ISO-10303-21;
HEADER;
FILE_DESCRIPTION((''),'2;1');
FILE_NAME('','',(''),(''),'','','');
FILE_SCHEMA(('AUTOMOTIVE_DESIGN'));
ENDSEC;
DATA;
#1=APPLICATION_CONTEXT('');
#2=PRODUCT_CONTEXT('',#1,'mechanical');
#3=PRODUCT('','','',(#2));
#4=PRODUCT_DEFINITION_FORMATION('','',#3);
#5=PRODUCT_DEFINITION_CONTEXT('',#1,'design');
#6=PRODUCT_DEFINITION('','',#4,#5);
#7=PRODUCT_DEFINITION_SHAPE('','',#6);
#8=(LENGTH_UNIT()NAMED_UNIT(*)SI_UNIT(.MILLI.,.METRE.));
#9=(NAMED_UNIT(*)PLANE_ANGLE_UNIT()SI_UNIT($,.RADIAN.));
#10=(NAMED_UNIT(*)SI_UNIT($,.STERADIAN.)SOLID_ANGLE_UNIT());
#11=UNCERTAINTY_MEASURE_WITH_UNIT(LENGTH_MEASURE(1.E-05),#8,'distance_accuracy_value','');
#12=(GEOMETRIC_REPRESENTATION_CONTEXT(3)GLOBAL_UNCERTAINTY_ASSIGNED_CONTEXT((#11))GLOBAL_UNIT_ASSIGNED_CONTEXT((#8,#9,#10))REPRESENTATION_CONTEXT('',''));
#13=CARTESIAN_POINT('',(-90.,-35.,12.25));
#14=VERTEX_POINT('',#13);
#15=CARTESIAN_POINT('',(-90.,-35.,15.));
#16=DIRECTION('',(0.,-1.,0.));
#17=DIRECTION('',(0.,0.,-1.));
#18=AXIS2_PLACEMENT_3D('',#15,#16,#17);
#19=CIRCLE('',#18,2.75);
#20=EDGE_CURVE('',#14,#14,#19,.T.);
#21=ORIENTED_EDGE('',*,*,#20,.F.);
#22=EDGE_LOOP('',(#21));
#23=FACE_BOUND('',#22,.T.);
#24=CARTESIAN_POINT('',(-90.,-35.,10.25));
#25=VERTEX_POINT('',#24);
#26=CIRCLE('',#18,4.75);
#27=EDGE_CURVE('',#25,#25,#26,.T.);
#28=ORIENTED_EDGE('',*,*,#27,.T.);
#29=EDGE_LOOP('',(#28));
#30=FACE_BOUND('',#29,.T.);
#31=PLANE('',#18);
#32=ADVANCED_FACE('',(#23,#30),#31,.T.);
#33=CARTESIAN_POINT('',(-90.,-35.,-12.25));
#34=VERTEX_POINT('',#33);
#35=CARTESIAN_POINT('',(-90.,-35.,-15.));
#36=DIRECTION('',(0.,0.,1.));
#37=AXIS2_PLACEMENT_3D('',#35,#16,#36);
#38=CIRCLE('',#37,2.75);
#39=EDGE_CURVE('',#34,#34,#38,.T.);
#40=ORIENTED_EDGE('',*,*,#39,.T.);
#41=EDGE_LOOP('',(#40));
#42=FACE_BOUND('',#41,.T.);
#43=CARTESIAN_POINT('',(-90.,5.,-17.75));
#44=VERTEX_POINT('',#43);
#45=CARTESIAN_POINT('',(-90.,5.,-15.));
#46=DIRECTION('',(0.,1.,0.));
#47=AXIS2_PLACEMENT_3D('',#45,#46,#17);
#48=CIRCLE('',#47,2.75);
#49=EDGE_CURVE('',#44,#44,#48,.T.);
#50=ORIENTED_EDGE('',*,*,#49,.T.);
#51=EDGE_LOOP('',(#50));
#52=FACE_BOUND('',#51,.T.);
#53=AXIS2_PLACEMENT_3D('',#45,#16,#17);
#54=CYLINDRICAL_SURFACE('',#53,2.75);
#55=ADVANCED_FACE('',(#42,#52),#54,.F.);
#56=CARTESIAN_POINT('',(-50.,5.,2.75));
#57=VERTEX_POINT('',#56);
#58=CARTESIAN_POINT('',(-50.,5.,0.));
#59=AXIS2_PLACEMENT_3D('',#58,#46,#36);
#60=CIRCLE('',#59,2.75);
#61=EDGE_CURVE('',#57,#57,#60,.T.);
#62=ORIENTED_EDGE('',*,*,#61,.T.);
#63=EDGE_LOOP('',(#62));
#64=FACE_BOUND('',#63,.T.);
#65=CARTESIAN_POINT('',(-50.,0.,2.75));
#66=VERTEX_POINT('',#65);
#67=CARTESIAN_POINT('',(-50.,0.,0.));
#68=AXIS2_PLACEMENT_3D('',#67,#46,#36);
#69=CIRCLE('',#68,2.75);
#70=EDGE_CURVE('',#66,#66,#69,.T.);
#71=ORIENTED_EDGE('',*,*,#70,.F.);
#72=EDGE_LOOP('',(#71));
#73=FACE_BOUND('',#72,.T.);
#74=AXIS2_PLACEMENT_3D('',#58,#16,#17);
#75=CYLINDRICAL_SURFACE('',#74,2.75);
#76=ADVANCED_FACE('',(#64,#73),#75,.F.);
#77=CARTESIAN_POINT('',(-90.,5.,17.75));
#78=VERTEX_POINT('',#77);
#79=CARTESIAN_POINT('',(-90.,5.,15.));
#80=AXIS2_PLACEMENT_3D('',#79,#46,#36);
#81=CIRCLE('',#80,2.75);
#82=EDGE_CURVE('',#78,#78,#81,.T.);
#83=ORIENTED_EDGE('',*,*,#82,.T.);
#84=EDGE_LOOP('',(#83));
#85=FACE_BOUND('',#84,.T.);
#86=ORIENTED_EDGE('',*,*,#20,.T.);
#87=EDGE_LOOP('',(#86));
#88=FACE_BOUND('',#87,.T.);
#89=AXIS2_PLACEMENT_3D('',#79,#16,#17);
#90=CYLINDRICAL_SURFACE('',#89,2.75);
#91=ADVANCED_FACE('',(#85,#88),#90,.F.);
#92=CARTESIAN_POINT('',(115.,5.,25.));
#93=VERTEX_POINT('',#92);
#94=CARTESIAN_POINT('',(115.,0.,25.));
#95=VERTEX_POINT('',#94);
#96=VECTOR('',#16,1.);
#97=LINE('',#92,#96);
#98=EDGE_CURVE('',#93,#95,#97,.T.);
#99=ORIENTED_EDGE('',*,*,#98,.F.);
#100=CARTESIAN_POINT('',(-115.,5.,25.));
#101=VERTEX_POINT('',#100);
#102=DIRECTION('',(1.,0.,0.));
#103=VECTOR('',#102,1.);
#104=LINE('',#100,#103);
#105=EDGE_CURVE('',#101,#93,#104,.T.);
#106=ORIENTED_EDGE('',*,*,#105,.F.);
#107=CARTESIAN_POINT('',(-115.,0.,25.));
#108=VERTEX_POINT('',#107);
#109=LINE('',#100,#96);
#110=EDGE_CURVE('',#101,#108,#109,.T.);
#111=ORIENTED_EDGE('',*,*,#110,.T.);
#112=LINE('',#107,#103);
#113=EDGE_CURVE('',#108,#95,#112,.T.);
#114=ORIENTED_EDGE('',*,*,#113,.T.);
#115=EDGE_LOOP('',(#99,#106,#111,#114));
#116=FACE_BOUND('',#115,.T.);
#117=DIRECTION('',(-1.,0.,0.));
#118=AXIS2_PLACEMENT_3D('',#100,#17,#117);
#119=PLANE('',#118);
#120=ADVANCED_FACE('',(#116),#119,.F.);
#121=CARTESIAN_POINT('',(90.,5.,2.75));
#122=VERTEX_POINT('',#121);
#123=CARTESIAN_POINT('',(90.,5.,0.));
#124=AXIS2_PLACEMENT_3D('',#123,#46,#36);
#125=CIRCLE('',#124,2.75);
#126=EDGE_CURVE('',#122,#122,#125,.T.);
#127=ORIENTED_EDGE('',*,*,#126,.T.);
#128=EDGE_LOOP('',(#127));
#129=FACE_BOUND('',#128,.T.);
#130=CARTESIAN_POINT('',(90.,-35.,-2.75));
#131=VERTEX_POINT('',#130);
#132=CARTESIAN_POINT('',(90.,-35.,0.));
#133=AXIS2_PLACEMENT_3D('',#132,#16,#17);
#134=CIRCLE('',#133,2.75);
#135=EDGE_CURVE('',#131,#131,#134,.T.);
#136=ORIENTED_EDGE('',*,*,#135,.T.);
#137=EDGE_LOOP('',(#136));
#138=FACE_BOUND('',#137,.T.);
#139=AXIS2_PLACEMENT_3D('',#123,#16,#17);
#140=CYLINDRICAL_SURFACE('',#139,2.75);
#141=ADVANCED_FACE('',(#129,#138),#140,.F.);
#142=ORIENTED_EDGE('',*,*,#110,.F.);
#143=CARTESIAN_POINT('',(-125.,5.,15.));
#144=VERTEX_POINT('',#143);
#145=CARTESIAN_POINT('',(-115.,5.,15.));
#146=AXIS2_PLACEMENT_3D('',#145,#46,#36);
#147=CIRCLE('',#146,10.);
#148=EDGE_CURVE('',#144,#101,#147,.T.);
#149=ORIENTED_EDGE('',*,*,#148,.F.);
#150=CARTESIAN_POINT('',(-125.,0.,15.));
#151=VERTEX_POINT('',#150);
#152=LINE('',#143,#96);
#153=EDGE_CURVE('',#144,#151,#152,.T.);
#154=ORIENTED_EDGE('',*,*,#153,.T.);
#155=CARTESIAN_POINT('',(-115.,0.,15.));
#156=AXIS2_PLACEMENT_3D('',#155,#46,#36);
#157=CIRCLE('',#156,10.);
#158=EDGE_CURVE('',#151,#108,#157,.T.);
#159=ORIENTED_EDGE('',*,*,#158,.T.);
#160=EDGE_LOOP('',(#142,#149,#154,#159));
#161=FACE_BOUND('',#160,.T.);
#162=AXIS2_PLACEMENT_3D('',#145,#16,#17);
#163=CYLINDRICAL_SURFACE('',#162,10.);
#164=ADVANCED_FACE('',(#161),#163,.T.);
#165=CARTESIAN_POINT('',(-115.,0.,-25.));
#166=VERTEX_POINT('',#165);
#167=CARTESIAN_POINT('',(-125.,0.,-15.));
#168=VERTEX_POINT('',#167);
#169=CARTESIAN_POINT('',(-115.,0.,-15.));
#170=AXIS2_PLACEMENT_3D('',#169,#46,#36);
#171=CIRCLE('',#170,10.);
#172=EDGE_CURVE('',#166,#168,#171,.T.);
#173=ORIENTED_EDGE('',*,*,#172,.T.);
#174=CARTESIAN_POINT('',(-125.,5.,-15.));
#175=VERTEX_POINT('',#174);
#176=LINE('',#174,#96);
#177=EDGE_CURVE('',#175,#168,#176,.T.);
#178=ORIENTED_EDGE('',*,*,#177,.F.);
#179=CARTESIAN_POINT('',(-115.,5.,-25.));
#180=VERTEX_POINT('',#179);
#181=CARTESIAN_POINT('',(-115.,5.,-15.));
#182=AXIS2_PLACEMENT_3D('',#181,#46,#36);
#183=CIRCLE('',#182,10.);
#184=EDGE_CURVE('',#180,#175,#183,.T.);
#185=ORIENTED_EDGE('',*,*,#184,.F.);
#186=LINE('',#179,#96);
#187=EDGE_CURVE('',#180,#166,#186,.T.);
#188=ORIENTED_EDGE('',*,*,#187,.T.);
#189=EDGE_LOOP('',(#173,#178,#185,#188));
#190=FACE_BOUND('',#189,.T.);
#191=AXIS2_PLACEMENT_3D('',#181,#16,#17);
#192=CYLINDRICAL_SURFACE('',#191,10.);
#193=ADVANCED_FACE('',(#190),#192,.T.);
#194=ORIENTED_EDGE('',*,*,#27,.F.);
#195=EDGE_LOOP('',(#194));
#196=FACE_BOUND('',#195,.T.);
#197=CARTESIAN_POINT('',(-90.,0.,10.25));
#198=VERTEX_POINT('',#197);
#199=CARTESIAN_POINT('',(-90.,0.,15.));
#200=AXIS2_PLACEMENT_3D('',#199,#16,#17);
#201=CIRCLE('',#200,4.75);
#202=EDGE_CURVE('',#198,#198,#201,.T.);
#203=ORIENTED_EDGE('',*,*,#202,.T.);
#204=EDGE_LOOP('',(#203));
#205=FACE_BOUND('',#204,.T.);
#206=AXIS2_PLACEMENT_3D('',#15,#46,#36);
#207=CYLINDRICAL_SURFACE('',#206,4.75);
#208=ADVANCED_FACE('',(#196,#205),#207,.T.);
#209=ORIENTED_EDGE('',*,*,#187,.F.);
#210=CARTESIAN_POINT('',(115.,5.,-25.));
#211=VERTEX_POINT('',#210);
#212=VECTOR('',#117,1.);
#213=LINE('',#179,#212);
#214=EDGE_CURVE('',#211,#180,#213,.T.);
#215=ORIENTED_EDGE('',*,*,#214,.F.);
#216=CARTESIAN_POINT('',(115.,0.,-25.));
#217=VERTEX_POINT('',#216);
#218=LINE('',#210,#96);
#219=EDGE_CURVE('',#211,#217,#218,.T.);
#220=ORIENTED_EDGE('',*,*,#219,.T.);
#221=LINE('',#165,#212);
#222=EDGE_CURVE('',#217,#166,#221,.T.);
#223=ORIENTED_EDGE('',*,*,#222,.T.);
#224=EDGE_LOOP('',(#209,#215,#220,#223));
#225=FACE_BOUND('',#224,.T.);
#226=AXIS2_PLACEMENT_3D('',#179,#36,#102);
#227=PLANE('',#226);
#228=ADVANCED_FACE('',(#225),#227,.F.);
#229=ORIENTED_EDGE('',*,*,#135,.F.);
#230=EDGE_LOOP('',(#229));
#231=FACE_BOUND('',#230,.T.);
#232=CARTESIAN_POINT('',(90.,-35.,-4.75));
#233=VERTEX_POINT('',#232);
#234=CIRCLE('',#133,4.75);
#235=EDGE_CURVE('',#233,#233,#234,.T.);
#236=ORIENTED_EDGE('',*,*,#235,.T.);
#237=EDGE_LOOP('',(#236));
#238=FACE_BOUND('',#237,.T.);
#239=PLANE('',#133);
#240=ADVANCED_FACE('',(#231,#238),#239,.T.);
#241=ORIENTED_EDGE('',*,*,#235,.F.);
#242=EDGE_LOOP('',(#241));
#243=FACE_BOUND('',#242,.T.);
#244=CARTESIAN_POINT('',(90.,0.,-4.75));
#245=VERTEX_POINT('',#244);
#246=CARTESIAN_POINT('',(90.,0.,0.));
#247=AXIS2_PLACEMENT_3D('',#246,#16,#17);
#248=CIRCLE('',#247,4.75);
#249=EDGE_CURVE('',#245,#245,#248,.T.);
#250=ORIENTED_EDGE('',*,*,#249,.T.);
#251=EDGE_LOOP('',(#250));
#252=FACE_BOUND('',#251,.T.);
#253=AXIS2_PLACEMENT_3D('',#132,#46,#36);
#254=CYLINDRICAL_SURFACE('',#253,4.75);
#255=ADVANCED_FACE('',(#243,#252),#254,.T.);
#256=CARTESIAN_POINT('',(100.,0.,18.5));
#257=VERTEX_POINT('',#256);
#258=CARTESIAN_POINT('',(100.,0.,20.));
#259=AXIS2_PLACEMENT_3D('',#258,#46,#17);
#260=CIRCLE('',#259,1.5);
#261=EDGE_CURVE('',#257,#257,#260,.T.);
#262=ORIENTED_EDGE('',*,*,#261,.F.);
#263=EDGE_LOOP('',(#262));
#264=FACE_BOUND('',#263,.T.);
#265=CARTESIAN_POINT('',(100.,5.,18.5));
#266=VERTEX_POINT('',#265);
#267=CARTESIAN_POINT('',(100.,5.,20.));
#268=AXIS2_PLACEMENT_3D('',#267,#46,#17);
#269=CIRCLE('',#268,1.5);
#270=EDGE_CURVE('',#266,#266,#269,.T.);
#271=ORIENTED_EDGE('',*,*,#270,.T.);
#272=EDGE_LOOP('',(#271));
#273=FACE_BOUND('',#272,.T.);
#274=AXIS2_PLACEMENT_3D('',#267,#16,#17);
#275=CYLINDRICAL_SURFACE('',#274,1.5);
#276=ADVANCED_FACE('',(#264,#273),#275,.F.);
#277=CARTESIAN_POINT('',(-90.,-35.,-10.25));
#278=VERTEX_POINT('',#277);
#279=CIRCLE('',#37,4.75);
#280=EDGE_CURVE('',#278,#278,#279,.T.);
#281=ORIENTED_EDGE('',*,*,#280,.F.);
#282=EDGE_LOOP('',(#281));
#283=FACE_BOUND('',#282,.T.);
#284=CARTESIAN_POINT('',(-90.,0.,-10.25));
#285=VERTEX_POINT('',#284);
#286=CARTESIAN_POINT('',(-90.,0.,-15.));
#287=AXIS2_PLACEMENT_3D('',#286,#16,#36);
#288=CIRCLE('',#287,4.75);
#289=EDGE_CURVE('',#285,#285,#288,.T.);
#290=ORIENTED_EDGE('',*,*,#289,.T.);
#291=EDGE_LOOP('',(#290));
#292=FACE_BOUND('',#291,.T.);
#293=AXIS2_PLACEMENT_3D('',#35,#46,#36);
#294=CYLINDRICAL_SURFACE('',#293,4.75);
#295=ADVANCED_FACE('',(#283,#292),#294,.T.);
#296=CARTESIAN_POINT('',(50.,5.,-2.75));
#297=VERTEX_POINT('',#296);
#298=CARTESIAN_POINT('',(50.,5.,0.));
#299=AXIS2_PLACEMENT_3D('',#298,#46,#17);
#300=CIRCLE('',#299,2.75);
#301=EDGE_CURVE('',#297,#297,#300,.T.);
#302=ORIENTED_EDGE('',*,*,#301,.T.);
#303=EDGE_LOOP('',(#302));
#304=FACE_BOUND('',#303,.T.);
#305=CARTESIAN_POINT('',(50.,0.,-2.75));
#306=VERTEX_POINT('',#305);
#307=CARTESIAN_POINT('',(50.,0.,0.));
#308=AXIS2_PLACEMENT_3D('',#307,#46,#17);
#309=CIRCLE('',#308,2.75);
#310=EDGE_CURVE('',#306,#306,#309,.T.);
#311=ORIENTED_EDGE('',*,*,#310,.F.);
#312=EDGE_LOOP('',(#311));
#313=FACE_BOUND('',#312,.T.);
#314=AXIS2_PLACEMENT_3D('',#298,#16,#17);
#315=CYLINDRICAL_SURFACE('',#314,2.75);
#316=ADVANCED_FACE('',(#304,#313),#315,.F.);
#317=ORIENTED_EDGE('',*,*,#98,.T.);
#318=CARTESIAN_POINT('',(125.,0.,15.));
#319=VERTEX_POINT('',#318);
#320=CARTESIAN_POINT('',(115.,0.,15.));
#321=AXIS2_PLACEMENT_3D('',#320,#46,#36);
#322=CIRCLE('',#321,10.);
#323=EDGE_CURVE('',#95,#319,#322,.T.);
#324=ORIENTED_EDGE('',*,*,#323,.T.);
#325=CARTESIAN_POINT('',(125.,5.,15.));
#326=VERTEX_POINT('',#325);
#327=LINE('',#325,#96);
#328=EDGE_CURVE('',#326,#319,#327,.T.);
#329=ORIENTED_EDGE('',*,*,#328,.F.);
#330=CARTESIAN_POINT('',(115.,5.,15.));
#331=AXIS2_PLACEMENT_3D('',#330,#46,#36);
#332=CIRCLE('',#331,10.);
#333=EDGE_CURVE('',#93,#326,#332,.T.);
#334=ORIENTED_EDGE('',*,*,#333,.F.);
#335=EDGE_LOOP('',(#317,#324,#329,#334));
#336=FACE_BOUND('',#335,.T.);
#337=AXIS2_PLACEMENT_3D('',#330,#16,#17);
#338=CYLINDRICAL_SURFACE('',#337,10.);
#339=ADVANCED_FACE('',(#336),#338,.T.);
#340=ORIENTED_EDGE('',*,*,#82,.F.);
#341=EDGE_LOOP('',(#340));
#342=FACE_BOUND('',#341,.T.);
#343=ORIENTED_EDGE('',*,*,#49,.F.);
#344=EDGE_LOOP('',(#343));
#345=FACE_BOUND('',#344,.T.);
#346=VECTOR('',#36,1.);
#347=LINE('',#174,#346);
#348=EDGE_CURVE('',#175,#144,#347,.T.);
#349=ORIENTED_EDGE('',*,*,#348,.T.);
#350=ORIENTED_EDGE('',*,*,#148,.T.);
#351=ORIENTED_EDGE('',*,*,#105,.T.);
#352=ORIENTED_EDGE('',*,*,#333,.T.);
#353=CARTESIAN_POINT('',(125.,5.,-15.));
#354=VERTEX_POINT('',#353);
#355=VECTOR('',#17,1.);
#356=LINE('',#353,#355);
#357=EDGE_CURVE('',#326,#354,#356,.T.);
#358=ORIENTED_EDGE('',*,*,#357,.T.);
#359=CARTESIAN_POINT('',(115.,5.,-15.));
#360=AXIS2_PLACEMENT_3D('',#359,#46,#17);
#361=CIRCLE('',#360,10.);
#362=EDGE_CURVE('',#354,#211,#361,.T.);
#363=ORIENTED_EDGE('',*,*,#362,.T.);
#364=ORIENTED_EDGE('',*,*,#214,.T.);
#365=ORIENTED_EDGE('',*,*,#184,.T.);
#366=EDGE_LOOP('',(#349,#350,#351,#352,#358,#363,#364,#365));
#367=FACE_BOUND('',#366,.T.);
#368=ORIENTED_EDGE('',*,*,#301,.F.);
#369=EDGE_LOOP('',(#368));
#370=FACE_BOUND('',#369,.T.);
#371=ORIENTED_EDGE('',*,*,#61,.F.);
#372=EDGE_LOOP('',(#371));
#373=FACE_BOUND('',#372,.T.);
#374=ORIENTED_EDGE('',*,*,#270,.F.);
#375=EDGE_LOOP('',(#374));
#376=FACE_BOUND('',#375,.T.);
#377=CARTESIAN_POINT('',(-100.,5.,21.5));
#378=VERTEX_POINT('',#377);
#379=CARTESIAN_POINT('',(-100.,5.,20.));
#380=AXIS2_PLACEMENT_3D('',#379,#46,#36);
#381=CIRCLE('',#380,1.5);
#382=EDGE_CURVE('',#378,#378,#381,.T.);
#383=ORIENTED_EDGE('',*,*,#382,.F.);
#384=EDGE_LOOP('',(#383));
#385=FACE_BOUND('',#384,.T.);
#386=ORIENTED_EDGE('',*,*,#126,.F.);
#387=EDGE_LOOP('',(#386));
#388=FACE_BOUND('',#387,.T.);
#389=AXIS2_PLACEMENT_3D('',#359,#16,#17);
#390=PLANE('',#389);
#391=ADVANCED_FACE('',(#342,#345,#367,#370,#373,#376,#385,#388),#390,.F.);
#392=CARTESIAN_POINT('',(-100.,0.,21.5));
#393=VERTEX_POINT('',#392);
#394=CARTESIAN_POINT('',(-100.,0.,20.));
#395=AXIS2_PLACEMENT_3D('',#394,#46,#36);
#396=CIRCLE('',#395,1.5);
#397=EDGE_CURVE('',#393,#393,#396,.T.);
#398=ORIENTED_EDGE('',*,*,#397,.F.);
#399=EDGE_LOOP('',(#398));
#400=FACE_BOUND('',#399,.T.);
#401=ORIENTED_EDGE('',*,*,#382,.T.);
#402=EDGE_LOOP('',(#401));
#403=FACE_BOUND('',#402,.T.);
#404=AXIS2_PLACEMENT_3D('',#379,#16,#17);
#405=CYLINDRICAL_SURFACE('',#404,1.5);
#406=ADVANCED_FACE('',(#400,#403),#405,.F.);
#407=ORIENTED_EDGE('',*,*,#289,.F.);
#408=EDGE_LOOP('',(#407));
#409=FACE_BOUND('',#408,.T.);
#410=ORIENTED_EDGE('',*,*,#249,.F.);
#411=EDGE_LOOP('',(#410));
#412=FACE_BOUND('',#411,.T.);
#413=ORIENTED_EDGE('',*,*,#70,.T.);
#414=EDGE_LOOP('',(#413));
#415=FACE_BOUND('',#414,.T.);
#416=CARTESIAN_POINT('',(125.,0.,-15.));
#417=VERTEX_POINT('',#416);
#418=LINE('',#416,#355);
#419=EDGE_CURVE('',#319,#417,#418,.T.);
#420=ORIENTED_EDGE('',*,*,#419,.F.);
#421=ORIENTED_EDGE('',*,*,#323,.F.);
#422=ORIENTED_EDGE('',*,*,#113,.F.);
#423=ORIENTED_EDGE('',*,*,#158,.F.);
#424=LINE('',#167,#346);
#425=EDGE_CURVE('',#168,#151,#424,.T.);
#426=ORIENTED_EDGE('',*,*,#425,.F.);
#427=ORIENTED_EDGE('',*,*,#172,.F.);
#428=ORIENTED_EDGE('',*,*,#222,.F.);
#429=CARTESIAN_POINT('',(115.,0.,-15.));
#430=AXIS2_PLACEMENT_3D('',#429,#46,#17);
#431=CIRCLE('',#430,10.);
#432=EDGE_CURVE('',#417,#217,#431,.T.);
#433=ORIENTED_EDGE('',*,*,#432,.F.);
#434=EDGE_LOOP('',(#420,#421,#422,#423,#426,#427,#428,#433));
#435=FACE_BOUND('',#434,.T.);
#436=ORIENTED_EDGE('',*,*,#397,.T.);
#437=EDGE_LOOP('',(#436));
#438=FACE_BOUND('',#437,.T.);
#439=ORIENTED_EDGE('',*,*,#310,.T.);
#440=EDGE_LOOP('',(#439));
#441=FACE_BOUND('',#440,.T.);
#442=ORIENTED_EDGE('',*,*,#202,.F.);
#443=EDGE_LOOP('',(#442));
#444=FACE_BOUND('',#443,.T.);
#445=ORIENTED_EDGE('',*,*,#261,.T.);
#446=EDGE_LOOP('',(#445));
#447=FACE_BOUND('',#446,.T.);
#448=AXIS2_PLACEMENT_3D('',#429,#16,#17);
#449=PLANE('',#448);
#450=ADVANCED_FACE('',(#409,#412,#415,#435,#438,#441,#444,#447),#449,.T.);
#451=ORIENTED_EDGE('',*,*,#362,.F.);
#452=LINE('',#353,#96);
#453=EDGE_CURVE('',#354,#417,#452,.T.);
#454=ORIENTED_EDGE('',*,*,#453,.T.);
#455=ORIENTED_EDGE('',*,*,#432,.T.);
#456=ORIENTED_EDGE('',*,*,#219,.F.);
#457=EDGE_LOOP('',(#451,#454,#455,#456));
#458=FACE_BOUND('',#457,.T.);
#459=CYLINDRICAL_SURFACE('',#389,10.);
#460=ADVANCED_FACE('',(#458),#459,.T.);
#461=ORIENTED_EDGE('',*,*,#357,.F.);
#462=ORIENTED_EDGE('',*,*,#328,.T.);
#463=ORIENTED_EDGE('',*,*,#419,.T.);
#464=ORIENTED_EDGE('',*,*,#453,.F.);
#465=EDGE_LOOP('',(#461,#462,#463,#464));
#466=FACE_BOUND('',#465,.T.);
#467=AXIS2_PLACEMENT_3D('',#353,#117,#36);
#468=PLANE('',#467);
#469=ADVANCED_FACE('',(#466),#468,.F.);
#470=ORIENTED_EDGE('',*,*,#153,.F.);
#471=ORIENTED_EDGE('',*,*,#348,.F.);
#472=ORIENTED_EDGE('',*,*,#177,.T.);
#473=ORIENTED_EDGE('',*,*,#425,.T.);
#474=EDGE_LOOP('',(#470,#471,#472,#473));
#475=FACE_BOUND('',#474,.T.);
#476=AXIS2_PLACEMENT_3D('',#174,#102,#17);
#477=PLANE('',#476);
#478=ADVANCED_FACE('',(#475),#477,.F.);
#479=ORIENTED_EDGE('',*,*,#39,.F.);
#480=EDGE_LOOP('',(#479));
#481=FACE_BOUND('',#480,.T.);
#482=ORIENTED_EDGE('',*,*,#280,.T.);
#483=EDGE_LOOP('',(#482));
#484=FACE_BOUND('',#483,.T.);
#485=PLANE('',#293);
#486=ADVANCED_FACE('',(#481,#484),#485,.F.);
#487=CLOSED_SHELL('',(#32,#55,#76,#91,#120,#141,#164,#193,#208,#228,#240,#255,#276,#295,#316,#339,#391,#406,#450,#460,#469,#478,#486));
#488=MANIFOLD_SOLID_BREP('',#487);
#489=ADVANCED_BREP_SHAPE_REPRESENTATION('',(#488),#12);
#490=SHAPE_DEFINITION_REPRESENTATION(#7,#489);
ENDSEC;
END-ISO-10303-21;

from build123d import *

# Parameters (mm, degrees)
SKETCH1_R           = 2.75
SKETCH1_R_2         = 1.5
BOSS_EXTRUDE1_DEPTH = 5
SKETCH2_R           = 4.75
SKETCH2_R_2         = 2.75
BOSS_EXTRUDE2_DEPTH = 35


with BuildPart() as part:
    # Sketch1 → Boss-Extrude1 (new body)
    with BuildSketch(Plane(origin=(0, 0, 0), x_dir=(1, 0, 0), z_dir=(0, 1, 0))):
        with BuildLine():
            Line((-115, 25), (115, 25))
            ThreePointArc((115, 25), (122.071067812, 22.071067812), (125, 15))
            Line((125, 15), (125, -15))
            ThreePointArc((125, -15), (122.071067812, -22.071067812), (115, -25))
            Line((115, -25), (-115, -25))
            ThreePointArc((-115, -25), (-122.071067812, -22.071067812), (-125, -15))
            Line((-125, -15), (-125, 15))
            ThreePointArc((-125, 15), (-122.071067812, 22.071067812), (-115, 25))
        make_face()
        with Locations((90, 0)):
            Circle(SKETCH1_R, mode=Mode.SUBTRACT)
        with Locations((-90, 15)):
            Circle(SKETCH1_R, mode=Mode.SUBTRACT)
        with Locations((-50, 0)):
            Circle(SKETCH1_R, mode=Mode.SUBTRACT)
        with Locations((50, 0)):
            Circle(SKETCH1_R, mode=Mode.SUBTRACT)
        with Locations((-90, -15)):
            Circle(SKETCH1_R, mode=Mode.SUBTRACT)
        with Locations((-100, -20)):
            Circle(SKETCH1_R_2, mode=Mode.SUBTRACT)
        with Locations((100, -20)):
            Circle(SKETCH1_R_2, mode=Mode.SUBTRACT)
    extrude(amount=BOSS_EXTRUDE1_DEPTH)

    # Sketch2 → Boss-Extrude2 (add)
    with BuildSketch(Plane(origin=(0, 0, 0), x_dir=(-1, 0, 0), z_dir=(0, -1, 0))):
        with Locations((90, -15)):
            Circle(SKETCH2_R)
        with Locations((90, -15)):
            Circle(SKETCH2_R_2, mode=Mode.SUBTRACT)
        with Locations((90, 15)):
            Circle(SKETCH2_R)
        with Locations((90, 15)):
            Circle(SKETCH2_R_2, mode=Mode.SUBTRACT)
        with Locations((-90, 0)):
            Circle(SKETCH2_R)
        with Locations((-90, 0)):
            Circle(SKETCH2_R_2, mode=Mode.SUBTRACT)
    extrude(amount=BOSS_EXTRUDE2_DEPTH)


solid = part.part
